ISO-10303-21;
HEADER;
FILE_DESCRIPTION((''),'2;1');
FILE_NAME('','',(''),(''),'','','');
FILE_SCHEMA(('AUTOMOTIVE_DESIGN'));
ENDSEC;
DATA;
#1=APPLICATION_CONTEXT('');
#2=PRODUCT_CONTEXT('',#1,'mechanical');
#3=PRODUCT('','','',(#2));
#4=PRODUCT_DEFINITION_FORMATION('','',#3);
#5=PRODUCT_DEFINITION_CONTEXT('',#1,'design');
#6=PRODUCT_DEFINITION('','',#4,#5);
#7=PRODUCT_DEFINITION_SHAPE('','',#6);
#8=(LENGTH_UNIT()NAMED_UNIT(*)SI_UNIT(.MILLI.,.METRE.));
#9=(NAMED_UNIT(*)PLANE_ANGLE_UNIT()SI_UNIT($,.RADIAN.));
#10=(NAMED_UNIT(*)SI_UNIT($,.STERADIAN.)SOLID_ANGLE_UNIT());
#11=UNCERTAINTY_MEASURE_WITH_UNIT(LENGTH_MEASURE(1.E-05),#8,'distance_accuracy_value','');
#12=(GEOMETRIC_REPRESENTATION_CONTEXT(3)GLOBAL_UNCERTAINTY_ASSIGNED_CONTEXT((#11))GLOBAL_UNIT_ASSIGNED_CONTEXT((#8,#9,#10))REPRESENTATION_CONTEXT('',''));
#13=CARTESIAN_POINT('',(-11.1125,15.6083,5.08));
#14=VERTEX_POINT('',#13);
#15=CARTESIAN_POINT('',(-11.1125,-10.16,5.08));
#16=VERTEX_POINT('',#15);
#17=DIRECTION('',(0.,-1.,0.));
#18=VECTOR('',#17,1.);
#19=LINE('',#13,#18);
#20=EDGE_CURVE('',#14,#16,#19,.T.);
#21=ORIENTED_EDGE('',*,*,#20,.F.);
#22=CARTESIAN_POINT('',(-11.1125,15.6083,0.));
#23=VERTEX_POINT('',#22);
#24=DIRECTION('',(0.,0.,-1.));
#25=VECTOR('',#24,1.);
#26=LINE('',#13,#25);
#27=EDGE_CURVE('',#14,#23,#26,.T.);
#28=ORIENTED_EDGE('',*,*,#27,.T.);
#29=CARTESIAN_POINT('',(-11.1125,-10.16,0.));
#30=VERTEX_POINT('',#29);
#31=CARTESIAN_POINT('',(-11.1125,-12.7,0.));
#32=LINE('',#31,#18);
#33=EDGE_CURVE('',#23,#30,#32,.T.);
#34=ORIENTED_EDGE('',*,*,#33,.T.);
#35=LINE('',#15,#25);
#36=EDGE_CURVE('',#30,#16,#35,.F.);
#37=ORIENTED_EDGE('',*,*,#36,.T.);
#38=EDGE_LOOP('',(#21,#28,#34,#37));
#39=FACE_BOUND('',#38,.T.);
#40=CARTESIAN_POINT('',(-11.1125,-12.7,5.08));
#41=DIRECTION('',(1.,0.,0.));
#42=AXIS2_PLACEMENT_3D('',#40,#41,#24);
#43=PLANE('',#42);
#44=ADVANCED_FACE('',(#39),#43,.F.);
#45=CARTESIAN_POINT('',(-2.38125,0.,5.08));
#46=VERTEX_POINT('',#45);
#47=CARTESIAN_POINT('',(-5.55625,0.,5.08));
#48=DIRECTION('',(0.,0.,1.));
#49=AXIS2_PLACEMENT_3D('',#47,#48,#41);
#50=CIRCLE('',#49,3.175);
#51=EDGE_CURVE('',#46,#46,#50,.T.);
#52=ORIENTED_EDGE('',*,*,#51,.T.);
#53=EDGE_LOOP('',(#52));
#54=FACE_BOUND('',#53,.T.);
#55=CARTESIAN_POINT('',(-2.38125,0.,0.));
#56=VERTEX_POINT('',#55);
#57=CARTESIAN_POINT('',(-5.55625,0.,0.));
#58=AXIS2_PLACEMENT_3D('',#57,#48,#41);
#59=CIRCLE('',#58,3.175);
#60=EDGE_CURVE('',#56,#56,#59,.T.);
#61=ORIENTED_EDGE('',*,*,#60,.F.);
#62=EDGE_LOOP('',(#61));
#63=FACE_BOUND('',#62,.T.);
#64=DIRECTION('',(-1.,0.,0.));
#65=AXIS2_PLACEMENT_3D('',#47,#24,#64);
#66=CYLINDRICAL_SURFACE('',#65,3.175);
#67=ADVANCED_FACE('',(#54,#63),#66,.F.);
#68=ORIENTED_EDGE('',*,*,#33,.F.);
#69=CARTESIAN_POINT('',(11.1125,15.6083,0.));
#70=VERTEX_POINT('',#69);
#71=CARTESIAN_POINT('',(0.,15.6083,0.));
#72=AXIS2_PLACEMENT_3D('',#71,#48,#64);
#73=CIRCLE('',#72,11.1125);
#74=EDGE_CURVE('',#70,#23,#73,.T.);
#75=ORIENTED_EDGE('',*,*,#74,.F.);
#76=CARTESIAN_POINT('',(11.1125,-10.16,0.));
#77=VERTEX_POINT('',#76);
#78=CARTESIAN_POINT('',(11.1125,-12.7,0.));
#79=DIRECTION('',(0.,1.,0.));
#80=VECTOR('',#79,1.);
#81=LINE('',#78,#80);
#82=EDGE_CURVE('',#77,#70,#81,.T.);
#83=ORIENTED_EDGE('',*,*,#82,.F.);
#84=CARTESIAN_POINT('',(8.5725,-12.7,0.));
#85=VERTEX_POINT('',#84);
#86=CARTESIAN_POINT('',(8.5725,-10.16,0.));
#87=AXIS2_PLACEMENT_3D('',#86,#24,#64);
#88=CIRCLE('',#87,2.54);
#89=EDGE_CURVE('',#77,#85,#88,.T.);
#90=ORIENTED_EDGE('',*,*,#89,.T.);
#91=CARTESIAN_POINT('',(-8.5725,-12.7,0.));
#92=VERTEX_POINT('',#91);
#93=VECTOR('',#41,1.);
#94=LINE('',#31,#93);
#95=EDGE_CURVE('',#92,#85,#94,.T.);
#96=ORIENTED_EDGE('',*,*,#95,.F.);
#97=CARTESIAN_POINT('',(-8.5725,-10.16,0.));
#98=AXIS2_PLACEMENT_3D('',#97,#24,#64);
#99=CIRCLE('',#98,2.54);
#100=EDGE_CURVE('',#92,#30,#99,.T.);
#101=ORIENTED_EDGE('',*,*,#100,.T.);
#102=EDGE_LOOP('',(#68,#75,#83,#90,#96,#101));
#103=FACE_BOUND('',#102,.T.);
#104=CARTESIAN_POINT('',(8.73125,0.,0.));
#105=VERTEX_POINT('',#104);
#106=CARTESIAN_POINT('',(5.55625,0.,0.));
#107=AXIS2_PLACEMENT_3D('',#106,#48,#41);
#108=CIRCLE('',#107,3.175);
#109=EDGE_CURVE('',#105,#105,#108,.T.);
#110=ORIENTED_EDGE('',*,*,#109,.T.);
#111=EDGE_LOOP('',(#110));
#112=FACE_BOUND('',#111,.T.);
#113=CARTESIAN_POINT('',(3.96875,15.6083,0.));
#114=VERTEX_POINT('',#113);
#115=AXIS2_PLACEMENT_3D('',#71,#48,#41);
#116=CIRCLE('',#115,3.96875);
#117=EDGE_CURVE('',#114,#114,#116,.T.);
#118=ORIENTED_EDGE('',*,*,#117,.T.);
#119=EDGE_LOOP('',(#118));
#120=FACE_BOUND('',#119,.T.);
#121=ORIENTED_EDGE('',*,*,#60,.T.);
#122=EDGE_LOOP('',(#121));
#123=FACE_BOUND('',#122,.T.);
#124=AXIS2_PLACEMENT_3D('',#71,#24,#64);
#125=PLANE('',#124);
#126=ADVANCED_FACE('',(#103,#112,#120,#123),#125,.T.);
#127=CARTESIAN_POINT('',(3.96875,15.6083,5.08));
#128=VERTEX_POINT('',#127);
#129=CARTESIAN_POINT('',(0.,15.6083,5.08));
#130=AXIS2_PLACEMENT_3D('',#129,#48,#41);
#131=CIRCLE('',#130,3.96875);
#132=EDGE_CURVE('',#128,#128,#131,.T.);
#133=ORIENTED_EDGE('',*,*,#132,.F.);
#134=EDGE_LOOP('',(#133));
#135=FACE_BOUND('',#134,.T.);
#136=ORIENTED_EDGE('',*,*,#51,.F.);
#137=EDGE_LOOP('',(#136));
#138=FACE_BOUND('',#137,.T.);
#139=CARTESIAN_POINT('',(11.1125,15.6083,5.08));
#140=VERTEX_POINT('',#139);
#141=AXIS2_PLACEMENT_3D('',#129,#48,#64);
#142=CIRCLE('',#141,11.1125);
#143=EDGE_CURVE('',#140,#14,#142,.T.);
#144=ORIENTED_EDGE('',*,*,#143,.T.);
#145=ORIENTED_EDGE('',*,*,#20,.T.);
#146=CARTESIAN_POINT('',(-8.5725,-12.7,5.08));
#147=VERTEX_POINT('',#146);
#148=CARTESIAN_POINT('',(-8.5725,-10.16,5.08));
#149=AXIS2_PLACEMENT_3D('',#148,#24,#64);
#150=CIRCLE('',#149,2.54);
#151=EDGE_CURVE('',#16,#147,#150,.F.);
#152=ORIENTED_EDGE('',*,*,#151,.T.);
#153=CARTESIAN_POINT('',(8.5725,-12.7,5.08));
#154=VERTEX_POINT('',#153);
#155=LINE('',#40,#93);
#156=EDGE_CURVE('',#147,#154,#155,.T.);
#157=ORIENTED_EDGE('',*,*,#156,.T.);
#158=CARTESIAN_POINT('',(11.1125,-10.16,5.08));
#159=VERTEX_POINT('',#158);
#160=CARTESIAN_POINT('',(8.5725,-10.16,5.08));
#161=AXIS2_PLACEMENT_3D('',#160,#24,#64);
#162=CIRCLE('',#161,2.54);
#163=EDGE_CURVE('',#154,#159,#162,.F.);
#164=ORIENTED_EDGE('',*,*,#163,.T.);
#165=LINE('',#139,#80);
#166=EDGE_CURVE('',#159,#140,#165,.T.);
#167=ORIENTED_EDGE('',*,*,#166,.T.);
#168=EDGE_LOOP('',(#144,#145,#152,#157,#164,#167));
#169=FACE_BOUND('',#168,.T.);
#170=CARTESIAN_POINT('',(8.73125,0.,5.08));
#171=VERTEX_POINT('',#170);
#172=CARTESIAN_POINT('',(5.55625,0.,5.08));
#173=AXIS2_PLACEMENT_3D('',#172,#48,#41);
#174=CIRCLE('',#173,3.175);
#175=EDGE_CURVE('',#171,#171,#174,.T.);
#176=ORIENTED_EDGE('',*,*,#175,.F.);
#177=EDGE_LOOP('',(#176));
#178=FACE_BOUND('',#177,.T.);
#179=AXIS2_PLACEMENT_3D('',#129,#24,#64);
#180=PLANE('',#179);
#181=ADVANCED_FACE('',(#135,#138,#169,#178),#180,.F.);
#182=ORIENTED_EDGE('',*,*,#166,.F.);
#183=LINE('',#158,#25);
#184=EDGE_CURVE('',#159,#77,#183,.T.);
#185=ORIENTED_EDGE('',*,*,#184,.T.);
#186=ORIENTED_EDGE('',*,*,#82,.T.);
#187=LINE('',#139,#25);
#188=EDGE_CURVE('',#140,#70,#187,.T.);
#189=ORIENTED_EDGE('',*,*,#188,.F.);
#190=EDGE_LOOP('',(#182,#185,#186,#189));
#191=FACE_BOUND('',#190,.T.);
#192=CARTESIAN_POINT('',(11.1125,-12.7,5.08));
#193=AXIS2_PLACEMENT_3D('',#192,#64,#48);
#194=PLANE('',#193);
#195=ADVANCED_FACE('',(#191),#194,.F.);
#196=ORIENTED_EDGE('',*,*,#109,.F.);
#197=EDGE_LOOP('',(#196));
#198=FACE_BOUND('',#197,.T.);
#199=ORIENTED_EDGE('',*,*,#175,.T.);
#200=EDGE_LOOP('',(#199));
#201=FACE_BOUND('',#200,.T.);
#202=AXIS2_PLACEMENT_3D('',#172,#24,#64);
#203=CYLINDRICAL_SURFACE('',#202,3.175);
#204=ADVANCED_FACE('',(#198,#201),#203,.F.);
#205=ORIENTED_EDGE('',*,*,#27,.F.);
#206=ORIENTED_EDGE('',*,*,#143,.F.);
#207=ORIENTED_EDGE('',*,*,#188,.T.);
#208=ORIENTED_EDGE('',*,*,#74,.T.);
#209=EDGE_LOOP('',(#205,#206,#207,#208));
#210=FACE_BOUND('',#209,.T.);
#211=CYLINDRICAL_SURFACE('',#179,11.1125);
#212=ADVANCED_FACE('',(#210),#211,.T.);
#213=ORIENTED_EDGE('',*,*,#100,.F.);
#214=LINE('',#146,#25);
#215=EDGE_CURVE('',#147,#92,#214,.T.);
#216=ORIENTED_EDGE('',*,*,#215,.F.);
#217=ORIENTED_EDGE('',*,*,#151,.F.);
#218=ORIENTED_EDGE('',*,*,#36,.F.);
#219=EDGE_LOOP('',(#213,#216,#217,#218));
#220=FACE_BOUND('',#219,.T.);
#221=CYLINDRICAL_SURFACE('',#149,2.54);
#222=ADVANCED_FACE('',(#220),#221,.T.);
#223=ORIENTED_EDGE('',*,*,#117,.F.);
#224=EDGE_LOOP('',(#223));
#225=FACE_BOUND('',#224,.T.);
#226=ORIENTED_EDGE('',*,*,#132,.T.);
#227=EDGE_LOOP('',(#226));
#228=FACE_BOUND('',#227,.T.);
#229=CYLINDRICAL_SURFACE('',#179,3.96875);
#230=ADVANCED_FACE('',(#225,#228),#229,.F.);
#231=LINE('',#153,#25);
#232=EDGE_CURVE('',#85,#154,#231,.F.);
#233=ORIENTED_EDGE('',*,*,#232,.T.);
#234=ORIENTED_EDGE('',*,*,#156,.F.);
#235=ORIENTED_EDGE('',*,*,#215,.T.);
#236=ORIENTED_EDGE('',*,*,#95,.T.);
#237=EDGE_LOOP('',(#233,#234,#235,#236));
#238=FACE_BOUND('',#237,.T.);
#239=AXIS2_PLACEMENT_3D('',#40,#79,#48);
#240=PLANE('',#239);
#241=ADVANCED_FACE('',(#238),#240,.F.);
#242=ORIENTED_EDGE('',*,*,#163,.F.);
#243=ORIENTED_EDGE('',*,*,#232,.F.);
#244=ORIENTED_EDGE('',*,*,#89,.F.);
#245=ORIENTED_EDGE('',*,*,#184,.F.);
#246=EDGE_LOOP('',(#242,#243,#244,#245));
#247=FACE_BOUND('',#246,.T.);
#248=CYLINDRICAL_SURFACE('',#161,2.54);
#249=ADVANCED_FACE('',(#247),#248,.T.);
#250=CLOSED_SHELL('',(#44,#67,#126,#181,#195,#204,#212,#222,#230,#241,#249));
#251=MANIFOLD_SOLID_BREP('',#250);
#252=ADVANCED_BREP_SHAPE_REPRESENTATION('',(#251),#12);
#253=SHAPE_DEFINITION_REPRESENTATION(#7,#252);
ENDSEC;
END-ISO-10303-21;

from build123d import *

# Parameters (mm, degrees)
SKETCH1_R           = 3.96875
SKETCH1_R_2         = 3.175
BOSS_EXTRUDE1_DEPTH = 5.08
FILLET1_R           = 2.54


with BuildPart() as part:
    # Sketch1 → Boss-Extrude1 (new body)
    with BuildSketch(Plane.XY):
        with BuildLine():
            Line((-11.1125, 15.6083), (-11.1125, 12.7))
            Line((-11.1125, 12.7), (-11.1125, -12.7))
            Line((-11.1125, -12.7), (11.1125, -12.7))
            Line((11.1125, -12.7), (11.1125, 12.7))
            Line((11.1125, 12.7), (11.1125, 15.6083))
            ThreePointArc((11.1125, 15.6083), (0, 26.7208), (-11.1125, 15.6083))
        make_face()
        with Locations((0, 15.6083)):
            Circle(SKETCH1_R, mode=Mode.SUBTRACT)
        with Locations((-5.55625, 0)):
            Circle(SKETCH1_R_2, mode=Mode.SUBTRACT)
        with Locations((5.55625, 0)):
            Circle(SKETCH1_R_2, mode=Mode.SUBTRACT)
    extrude(amount=BOSS_EXTRUDE1_DEPTH)

    # Fillet1
    fillet1_edges = [part.edges().sort_by_distance(p)[0] for p in [
        (11.1125, -12.7, 2.54),
        (-11.1125, -12.7, 2.54),
    ]]
    fillet(fillet1_edges, radius=FILLET1_R)


solid = part.part
